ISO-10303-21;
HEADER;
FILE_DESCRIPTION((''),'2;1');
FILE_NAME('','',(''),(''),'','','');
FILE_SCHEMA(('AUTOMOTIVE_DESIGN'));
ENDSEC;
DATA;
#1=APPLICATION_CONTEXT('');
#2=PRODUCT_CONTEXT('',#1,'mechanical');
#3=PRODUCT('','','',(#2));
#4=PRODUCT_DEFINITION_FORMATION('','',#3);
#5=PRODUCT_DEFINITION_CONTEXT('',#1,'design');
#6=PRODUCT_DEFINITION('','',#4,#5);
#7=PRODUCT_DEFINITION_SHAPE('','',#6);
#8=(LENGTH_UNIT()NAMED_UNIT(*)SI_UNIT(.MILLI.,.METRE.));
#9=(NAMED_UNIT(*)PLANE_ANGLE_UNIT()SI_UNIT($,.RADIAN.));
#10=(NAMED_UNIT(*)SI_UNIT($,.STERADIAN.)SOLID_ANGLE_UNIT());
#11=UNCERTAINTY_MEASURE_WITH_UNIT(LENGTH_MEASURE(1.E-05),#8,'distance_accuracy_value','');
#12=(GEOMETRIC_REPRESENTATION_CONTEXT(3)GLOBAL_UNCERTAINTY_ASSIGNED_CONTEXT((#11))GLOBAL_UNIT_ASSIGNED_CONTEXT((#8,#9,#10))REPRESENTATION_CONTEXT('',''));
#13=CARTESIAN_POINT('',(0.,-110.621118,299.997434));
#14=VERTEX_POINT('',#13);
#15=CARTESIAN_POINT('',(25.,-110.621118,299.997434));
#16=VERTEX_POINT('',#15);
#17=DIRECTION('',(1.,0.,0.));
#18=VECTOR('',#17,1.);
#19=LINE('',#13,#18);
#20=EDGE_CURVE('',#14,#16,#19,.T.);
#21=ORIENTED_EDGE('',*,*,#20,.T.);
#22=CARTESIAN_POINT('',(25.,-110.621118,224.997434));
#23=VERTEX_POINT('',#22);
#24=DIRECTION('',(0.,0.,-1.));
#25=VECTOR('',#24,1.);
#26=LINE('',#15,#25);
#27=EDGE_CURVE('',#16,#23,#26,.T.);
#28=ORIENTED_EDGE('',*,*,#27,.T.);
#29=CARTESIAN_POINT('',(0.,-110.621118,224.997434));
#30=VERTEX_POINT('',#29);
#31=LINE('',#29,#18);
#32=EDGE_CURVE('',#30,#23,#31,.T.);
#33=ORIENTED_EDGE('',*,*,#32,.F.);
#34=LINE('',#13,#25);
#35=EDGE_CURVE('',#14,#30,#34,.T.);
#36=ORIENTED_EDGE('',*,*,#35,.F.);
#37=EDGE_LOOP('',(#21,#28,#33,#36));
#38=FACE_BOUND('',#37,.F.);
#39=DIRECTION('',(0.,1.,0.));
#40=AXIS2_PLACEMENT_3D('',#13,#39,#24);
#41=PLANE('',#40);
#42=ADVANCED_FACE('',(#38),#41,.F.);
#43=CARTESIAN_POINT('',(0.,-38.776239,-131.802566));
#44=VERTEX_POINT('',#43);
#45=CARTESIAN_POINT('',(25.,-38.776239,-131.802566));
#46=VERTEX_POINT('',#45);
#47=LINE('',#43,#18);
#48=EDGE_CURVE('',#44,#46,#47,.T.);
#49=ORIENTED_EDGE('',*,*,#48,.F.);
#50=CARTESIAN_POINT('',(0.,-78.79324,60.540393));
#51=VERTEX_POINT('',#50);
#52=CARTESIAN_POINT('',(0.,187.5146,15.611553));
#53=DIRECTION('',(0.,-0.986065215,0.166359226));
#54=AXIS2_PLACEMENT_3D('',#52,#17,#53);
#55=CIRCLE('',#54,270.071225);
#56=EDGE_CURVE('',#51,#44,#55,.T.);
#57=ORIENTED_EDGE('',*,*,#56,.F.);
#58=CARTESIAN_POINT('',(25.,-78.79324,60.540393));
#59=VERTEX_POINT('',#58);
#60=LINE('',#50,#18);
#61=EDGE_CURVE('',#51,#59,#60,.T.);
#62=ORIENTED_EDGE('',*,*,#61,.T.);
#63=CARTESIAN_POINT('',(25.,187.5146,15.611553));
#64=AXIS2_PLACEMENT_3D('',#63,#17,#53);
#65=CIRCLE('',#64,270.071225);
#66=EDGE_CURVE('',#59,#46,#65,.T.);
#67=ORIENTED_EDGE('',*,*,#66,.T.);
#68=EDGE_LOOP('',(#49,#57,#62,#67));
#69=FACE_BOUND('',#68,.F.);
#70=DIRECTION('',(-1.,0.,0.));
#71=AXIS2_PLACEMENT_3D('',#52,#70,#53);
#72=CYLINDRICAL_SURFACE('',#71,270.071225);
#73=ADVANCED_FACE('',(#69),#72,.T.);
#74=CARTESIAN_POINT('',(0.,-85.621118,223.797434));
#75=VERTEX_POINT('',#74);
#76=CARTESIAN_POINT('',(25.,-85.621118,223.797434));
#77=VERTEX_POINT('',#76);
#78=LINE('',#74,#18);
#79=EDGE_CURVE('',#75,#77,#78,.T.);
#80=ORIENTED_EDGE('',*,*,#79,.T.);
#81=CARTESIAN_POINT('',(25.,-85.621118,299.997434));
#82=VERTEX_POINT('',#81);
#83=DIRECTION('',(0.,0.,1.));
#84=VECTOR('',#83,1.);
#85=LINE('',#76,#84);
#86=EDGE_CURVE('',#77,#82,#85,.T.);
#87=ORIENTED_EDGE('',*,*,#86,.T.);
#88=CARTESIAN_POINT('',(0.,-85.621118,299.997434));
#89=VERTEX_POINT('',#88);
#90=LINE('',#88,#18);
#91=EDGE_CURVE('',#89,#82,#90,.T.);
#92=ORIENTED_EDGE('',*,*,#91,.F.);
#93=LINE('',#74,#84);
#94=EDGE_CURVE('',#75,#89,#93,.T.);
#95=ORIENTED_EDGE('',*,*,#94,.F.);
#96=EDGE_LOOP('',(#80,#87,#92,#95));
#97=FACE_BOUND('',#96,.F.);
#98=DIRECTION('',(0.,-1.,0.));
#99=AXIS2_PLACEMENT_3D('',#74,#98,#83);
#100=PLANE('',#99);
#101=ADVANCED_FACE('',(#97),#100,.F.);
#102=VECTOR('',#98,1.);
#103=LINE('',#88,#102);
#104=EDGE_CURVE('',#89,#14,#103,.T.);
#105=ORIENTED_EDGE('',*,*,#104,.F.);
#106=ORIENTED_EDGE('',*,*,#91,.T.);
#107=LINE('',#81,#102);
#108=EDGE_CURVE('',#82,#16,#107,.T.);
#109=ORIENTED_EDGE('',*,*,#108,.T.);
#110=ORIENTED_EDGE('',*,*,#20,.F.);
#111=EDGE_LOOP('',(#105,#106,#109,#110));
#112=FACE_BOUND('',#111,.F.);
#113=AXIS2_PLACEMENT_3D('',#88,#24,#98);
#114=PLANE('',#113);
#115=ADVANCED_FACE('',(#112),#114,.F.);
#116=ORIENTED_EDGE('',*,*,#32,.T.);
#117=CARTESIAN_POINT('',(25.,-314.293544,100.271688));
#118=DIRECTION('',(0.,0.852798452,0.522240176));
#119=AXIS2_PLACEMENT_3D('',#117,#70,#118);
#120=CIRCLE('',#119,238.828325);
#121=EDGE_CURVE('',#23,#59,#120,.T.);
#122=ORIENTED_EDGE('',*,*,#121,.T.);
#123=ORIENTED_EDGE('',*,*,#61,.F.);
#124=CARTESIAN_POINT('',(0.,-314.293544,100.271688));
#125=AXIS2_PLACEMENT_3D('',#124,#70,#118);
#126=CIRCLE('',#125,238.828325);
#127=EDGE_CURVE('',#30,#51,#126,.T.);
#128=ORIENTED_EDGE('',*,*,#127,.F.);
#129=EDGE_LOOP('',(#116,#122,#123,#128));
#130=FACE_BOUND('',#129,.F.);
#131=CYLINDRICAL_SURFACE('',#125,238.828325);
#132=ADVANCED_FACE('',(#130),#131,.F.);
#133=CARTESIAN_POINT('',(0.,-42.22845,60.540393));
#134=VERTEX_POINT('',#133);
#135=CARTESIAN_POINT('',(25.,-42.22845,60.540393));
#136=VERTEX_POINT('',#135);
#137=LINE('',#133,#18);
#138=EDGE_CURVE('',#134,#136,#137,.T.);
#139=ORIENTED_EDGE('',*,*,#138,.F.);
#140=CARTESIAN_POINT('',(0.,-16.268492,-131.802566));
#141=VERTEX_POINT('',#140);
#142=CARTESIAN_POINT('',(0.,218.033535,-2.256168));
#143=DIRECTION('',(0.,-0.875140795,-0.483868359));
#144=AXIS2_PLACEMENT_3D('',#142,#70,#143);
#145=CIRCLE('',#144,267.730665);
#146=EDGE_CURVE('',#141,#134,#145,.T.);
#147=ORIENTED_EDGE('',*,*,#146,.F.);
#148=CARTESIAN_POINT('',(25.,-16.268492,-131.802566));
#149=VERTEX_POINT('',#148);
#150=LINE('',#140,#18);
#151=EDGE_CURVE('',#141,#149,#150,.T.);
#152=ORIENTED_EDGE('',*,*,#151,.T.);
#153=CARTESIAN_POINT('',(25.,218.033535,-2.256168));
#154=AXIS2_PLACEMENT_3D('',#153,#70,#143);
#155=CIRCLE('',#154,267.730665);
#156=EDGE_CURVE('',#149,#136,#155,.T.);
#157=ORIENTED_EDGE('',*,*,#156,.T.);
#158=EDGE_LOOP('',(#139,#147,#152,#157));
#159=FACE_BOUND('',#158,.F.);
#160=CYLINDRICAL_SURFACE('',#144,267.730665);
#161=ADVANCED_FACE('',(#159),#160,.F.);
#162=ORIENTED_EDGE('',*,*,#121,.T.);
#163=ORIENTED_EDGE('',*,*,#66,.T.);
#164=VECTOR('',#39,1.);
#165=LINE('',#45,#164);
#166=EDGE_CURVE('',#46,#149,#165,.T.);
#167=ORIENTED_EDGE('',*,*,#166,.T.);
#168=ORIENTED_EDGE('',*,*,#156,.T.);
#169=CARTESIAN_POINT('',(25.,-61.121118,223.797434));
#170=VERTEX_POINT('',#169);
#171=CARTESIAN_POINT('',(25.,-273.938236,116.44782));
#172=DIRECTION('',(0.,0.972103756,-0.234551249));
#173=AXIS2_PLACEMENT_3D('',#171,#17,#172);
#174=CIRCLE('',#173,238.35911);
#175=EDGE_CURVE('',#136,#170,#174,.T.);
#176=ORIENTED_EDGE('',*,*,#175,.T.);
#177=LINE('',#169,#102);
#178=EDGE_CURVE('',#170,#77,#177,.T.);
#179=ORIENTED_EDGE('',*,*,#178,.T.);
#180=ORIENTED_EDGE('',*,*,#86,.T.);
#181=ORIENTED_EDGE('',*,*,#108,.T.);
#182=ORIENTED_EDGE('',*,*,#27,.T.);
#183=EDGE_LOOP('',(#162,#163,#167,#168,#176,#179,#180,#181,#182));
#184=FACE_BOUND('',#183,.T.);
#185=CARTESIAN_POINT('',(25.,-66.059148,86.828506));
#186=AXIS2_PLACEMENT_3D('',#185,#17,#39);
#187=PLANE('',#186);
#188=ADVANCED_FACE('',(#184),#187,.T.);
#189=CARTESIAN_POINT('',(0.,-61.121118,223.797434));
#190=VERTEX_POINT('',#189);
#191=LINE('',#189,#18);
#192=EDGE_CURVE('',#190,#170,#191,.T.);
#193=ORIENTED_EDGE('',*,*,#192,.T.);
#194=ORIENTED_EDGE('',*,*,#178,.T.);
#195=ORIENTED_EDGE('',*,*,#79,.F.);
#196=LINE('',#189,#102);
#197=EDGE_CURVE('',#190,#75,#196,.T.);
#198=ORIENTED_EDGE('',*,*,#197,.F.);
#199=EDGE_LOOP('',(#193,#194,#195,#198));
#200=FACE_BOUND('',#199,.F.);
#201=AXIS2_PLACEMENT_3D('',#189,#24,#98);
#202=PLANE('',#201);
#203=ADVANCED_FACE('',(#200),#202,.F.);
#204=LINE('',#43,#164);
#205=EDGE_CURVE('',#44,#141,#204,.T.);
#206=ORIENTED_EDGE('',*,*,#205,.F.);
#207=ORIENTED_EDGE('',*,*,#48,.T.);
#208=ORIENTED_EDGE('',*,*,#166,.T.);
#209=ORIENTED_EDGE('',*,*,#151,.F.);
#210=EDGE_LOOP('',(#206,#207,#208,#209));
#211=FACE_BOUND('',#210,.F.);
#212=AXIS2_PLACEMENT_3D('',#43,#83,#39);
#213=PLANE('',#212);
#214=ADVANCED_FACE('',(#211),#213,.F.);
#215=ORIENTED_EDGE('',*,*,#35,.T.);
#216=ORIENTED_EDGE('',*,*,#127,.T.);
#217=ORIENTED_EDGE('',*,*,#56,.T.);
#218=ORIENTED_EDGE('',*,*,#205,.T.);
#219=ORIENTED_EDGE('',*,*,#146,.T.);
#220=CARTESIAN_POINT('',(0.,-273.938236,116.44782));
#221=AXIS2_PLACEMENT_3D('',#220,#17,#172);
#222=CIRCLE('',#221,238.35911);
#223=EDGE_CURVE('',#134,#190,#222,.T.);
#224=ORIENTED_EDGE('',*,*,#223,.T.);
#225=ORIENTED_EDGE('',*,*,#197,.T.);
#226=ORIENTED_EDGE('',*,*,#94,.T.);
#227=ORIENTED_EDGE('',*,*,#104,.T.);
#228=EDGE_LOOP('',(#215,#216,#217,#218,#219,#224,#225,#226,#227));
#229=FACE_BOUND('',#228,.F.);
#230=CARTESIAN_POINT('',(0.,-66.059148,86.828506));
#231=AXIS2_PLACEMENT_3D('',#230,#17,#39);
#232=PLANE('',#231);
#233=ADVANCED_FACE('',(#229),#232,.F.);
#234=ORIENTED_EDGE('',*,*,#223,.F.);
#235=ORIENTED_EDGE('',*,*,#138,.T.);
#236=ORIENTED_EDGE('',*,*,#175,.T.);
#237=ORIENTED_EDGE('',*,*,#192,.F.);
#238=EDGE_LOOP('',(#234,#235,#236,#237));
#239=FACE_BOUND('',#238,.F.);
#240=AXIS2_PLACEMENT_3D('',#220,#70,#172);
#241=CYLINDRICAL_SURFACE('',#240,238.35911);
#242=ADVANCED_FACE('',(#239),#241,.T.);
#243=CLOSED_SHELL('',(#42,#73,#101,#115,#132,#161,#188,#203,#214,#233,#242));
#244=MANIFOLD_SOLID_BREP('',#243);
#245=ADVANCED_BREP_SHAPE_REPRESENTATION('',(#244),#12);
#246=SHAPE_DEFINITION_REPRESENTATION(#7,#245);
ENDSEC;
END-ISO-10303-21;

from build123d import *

# Parameters (mm, degrees)
F1_DEPTH = 25


with BuildPart() as f1:
    # F0 (on Right) → F1 (new body)
    with BuildSketch(Plane.YZ):
        with BuildLine():
            ThreePointArc((-42.22845, 60.540393), (-37.159315, 143.848694), (-61.121118, 223.797434))
            Line((-61.121118, 223.797434), (-85.621118, 223.797434))
            Line((-85.621118, 223.797434), (-85.621118, 299.997434))
            Line((-85.621118, 299.997434), (-110.621118, 299.997434))
            Line((-110.621118, 299.997434), (-110.621118, 224.997434))
            ThreePointArc((-110.621118, 224.997434), (-79.816037, 145.650842), (-78.79324, 60.540393))
            ThreePointArc((-78.79324, 60.540393), (-76.894776, -39.398884), (-38.776239, -131.802566))
            Line((-38.776239, -131.802566), (-16.268492, -131.802566))
            ThreePointArc((-16.268492, -131.802566), (-47.291443, -38.066293), (-42.22845, 60.540393))
        make_face()
    extrude(amount=F1_DEPTH)


solid = f1.part
